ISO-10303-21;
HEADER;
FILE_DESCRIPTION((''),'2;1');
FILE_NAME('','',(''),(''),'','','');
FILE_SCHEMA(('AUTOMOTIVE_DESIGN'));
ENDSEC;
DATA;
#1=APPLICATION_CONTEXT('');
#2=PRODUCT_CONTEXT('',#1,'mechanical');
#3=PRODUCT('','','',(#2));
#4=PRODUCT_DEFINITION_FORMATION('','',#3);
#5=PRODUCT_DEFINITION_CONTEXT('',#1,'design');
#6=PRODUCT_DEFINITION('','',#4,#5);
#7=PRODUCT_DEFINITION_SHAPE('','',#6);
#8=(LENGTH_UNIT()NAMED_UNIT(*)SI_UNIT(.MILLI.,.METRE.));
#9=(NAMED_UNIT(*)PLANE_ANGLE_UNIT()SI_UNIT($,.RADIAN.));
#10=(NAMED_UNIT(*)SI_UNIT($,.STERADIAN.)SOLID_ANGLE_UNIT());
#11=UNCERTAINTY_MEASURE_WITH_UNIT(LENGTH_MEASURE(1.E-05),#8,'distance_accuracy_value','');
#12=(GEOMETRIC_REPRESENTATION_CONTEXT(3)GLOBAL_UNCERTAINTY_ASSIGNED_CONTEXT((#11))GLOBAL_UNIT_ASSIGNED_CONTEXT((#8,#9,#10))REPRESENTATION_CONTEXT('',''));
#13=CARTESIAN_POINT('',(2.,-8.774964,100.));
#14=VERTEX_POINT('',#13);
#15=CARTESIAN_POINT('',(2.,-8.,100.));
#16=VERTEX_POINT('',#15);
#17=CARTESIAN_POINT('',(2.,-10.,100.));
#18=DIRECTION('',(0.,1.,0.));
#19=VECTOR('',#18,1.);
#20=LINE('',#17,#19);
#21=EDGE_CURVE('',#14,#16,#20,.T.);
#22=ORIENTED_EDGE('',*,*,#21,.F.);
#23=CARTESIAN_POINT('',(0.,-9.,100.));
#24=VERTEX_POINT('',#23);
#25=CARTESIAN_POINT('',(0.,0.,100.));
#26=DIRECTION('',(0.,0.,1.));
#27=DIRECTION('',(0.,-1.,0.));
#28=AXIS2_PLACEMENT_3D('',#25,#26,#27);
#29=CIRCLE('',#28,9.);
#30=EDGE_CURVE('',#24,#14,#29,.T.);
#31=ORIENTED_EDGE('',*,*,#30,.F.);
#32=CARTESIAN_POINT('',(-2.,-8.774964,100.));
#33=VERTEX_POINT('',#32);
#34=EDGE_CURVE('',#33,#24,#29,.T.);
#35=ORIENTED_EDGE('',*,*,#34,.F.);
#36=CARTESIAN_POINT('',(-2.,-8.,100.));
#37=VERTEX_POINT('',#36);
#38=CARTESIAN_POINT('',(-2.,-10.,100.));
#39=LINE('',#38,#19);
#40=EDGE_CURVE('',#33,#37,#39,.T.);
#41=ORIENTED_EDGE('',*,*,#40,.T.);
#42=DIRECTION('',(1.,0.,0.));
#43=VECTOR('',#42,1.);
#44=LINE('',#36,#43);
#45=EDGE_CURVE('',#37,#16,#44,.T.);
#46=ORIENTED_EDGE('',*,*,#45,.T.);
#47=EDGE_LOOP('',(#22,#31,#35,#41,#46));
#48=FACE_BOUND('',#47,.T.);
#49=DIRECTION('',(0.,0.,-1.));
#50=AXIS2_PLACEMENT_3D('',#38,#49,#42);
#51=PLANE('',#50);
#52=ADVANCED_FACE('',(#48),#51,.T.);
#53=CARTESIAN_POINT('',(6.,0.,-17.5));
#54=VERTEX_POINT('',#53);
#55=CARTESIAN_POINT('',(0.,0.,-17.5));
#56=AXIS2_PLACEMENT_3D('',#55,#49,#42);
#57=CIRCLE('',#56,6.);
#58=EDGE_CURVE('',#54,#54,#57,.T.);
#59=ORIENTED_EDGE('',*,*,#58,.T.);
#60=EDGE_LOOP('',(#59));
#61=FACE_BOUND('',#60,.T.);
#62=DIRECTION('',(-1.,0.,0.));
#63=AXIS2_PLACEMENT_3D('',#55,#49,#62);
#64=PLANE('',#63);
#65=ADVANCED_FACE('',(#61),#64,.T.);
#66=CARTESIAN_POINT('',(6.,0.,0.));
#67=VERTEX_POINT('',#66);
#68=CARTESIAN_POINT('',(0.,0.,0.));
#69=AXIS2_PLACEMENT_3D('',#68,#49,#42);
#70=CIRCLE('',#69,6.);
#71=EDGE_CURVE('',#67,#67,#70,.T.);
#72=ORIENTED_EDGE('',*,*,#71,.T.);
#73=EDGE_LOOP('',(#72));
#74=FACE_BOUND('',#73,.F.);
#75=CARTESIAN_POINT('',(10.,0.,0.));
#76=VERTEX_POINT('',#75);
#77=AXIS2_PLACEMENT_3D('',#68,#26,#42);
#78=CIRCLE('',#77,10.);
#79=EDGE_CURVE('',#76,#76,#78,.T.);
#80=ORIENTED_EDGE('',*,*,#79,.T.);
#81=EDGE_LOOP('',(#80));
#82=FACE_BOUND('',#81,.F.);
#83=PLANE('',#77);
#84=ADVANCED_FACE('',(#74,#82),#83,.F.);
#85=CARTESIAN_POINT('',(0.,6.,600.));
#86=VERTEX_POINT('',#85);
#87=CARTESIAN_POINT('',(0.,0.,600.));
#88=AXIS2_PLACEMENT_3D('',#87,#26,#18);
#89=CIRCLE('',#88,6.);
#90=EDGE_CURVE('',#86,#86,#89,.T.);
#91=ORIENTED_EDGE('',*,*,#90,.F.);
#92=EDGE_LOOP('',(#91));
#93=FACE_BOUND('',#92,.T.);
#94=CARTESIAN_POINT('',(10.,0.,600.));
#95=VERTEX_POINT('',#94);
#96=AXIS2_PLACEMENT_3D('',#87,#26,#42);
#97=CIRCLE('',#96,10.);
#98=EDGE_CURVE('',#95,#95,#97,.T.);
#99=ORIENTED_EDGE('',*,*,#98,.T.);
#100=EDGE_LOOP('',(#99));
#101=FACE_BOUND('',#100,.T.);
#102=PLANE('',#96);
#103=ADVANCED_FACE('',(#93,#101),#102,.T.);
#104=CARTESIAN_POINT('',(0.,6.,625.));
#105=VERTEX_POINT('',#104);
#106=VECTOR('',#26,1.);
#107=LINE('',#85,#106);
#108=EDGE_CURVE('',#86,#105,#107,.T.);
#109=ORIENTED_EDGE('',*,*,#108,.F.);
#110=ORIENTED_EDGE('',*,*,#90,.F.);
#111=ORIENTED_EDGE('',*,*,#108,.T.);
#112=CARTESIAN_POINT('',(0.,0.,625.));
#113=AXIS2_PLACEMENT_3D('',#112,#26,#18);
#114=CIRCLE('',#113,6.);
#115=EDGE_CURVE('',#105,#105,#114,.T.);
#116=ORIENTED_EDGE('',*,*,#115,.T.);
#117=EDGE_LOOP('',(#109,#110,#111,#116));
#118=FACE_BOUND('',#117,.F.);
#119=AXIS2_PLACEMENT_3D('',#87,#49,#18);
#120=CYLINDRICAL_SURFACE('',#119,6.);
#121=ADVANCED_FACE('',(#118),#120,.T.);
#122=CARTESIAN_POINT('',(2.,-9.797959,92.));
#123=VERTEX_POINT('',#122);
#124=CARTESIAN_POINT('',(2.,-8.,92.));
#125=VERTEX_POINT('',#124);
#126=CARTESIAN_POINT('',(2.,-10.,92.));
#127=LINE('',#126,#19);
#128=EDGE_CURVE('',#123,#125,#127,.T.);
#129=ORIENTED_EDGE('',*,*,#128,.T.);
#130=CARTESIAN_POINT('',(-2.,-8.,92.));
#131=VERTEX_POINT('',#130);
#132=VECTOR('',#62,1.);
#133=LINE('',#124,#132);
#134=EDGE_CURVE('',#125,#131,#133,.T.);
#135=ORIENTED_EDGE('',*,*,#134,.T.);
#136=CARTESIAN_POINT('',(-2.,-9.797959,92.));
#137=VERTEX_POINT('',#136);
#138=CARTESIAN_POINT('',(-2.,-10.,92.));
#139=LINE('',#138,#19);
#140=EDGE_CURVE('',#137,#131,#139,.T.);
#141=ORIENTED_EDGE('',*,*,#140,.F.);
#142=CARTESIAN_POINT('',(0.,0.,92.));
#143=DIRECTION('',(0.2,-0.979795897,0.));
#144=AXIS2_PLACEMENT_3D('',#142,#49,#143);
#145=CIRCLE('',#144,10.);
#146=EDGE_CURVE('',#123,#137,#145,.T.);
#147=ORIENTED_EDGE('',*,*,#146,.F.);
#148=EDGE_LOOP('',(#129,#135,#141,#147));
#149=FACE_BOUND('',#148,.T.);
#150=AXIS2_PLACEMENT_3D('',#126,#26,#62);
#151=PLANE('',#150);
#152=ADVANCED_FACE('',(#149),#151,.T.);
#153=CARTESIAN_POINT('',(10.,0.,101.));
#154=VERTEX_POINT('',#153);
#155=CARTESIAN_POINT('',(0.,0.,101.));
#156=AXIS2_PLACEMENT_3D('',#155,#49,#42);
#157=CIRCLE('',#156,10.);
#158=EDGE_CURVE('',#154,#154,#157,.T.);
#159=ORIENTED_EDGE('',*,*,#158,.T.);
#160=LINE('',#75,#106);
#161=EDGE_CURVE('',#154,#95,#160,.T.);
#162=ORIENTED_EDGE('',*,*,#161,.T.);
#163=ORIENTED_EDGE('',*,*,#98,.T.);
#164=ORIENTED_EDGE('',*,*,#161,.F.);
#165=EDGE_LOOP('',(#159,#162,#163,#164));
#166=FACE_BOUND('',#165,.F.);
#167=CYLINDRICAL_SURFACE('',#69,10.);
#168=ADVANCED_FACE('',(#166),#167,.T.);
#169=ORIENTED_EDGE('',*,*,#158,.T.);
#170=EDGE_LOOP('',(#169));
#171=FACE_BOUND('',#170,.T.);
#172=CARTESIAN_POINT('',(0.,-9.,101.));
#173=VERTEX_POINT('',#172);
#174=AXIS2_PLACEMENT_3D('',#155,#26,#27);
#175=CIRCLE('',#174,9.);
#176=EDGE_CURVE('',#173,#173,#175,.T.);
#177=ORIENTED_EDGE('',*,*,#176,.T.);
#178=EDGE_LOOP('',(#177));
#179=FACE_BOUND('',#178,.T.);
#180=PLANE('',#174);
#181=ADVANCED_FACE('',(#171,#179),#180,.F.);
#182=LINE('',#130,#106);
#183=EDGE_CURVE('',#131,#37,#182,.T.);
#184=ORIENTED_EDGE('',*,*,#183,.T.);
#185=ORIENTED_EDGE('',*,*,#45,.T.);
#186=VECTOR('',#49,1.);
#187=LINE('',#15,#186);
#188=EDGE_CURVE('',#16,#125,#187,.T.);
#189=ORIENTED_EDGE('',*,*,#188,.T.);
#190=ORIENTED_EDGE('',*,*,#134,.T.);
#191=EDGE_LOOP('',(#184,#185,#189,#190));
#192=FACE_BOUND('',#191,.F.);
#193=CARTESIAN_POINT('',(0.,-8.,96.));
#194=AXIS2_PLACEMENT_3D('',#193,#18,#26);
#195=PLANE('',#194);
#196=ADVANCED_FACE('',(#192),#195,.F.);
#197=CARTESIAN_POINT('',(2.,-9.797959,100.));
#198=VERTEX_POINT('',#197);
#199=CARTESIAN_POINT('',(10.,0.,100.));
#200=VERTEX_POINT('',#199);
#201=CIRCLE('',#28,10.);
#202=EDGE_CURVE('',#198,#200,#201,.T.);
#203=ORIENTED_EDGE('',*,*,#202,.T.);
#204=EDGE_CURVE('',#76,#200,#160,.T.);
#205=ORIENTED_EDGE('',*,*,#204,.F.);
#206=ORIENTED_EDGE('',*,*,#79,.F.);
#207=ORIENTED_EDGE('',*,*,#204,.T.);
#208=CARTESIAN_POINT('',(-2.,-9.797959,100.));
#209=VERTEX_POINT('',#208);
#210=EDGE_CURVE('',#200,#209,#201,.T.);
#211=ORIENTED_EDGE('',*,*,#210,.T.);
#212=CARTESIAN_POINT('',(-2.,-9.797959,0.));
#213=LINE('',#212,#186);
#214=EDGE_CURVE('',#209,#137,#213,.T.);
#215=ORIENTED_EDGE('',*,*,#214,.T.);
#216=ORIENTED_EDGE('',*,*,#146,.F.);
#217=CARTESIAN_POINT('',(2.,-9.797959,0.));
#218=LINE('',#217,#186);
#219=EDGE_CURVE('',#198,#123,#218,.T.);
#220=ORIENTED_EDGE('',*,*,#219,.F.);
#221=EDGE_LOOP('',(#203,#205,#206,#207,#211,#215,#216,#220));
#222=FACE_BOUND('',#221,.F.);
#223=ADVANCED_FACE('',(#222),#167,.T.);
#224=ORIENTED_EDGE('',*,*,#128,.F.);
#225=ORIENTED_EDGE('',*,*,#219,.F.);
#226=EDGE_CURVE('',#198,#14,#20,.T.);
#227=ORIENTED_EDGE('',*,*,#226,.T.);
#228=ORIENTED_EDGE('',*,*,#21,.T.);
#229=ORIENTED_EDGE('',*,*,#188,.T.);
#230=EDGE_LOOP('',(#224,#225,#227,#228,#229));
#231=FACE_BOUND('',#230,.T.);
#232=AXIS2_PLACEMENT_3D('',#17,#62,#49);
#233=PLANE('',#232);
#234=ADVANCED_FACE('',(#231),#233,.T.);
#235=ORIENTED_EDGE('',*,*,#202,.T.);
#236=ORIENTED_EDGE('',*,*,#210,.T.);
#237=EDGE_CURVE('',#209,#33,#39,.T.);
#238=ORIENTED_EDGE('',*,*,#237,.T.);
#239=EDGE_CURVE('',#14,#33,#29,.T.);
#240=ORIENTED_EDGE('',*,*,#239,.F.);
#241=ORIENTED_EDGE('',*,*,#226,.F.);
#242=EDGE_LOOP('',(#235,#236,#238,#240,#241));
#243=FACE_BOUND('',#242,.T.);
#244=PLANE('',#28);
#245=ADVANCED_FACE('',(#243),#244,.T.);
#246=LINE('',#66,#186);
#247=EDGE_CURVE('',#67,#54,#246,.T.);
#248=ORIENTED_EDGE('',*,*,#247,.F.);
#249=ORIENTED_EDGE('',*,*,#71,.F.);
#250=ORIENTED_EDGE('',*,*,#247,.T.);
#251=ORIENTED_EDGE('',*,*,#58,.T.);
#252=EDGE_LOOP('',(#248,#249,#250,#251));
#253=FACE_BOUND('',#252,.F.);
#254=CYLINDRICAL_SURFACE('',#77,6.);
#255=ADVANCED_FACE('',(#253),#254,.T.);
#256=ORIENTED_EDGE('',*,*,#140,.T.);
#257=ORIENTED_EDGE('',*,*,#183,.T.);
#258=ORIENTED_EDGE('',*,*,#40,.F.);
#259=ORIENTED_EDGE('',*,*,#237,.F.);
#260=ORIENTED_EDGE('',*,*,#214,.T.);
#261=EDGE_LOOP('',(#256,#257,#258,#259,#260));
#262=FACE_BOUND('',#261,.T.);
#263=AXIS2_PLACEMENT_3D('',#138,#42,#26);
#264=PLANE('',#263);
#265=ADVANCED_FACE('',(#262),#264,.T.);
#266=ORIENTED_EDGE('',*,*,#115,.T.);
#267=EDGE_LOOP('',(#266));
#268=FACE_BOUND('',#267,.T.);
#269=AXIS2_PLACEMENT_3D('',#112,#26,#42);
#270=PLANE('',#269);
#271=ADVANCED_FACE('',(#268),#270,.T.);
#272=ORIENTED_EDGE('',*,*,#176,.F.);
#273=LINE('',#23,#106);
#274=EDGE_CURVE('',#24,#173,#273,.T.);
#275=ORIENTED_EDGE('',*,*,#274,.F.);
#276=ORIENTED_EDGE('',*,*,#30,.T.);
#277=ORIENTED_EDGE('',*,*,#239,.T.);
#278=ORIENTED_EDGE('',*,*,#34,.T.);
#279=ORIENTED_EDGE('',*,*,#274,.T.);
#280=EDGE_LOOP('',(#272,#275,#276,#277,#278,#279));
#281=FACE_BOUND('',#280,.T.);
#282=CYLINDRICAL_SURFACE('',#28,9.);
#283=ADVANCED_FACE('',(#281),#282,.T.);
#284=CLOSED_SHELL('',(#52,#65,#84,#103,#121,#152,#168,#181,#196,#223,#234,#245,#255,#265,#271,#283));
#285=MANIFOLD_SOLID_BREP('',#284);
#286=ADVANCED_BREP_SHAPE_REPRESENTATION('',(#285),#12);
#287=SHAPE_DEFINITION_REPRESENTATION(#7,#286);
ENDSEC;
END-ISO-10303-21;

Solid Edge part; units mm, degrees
sketch "Sketch1" plane through (0, 0, 0) normal (0, 0, 1) x (1, 0, 0)
  circle A0 centre (0, 0) radius 10
extrude "Protrusion1" add sketch "Sketch1" along normal blind 600
sketch "Sketch2" plane through (0, 0, 0) normal (0, 0, -1) x (1, 0, 0)
  circle A0 centre (0, 0) radius 6
extrude "ExtrudedProtrusion_2" add sketch "Sketch2" along normal mid plane 35
cosmetic_thread "Thread1" size "Tr 12 x 3"
sketch "Sketch3" plane through (0, 0, 600) normal (0, 0, 1) x (0, 1, 0)
  circle A0 centre (0, 0) radius 6
extrude "ExtrudedProtrusion_3" add sketch "Sketch3" along normal blind 25
cosmetic_thread "Thread2" size "M12"
sketch "Sketch4" plane through (0, -10, 250) normal (0, -1, 0) x (0, 0, -1)
  line L0 (158, -2) -> (150, -2)
  line L1 (150, -2) -> (150, 2)
  line L2 (150, 2) -> (158, 2)
  line L3 (158, 2) -> (158, -2)
  dimension "D1" = 100
  dimension "D2" = 8
  dimension "D3" = 4
extrude "ExtrudedCutout_5" cut sketch "Sketch4" against normal blind 2
sketch "Sketch5" plane through (0, 0, 0) normal (1, 0, 0) x (0, 1, 0)
  line L0 (-10, 100) -> (-9, 100)
  line L1 (-9, 100) -> (-9, 101)
  line L2 (-9, 101) -> (-10, 101)
  line L3 (-10, 101) -> (-10, 100)
  dimension "D1" = 1
  dimension "D2" = 1
revolve "RevolvedCutout1" cut sketch "Sketch5" angle 360 about axis through (0, 0, -57) along (0, 0, 1)
properties material "Steel"
